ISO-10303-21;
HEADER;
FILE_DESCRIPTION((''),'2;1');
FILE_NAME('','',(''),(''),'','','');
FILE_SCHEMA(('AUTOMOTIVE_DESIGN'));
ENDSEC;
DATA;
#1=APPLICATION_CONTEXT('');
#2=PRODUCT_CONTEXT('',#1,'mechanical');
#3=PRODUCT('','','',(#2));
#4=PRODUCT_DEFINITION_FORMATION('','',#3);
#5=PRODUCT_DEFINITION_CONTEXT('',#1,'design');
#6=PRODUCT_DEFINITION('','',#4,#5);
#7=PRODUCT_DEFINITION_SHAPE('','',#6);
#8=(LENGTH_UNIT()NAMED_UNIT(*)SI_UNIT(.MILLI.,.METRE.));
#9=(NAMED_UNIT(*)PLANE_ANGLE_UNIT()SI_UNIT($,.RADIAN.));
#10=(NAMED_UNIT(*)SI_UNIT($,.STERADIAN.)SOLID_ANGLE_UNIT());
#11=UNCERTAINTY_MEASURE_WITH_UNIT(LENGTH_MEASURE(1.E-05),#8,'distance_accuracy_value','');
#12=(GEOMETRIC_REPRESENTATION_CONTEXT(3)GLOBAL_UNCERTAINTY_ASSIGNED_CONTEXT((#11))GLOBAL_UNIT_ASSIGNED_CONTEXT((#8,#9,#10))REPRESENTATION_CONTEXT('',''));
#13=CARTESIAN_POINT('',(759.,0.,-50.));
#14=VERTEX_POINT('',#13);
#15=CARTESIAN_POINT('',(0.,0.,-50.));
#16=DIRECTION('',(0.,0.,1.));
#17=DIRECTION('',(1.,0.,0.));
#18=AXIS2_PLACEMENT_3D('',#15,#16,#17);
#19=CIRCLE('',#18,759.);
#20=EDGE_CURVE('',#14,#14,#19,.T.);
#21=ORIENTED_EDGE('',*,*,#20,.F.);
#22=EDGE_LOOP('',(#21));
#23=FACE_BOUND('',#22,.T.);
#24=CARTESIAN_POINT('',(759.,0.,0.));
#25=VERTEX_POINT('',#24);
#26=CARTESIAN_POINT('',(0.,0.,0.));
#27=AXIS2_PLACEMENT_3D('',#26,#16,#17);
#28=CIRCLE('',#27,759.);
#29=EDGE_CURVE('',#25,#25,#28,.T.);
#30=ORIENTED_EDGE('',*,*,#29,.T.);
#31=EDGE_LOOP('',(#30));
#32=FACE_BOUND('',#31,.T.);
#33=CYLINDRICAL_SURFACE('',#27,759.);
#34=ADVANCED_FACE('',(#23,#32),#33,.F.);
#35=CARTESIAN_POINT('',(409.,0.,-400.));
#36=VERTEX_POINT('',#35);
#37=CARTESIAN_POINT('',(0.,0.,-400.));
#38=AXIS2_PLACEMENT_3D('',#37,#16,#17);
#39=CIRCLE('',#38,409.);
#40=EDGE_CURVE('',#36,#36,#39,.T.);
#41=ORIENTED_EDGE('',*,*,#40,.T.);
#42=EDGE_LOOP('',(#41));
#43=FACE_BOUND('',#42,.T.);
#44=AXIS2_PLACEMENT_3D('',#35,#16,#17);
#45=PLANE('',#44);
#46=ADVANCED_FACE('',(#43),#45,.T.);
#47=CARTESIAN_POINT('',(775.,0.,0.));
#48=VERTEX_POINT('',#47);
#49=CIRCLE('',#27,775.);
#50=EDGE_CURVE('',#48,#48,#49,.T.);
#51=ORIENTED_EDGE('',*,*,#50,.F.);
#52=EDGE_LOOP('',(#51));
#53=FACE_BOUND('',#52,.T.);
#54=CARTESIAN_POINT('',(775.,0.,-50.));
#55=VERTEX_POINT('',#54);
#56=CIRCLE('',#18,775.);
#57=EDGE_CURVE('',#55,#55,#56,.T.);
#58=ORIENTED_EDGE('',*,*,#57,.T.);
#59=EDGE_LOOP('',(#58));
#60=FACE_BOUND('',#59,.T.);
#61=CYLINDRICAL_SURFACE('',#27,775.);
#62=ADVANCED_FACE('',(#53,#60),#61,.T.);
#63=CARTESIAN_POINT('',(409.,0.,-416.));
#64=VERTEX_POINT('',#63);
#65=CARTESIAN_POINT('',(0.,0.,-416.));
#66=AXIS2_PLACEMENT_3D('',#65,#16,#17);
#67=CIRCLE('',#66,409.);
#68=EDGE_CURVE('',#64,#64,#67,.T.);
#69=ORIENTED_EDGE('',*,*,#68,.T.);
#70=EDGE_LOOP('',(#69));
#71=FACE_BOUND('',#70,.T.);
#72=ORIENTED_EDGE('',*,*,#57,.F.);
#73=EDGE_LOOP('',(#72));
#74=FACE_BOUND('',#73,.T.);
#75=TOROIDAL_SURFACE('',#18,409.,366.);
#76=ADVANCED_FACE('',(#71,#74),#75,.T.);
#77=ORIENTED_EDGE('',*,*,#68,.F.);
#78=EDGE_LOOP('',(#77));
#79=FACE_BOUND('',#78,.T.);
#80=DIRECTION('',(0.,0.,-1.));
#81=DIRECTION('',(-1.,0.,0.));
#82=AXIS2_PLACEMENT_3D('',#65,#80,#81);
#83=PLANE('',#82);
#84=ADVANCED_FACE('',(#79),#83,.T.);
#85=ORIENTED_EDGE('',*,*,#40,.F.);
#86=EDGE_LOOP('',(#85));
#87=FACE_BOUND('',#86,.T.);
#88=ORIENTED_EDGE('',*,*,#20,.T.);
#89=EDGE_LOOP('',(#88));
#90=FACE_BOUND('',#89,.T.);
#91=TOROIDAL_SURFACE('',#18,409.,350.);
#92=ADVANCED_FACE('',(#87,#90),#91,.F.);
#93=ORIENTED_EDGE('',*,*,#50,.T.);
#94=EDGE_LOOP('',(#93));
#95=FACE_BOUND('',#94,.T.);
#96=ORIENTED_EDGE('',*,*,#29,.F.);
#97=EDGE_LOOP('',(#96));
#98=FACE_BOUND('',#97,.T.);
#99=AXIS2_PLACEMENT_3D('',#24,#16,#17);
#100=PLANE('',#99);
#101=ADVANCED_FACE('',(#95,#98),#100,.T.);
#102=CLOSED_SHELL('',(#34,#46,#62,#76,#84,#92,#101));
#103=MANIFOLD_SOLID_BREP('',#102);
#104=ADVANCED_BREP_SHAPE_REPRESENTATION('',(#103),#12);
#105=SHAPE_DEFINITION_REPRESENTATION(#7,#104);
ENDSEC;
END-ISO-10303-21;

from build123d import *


with BuildPart() as part:
    # Sketch1 → Revolve1 (revolve)
    with BuildSketch(Plane(origin=(0, 0, 0), x_dir=(1, 0, 0), z_dir=(0, 1, 0))):
        with BuildLine():
            Line((759, 0), (759, 50))
            ThreePointArc((759, 50), (656.487373415, 297.487373415), (409, 400))
            Line((409, 400), (0, 400))
            Line((0, 400), (0, 416))
            Line((0, 416), (409, 416))
            ThreePointArc((409, 416), (667.801081914, 308.801081914), (775, 50))
            Line((775, 50), (775, 0))
            Line((775, 0), (759, 0))
        make_face()
    revolve(axis=Axis((0, 0, 0), (0, 0, -1)))


solid = part.part
